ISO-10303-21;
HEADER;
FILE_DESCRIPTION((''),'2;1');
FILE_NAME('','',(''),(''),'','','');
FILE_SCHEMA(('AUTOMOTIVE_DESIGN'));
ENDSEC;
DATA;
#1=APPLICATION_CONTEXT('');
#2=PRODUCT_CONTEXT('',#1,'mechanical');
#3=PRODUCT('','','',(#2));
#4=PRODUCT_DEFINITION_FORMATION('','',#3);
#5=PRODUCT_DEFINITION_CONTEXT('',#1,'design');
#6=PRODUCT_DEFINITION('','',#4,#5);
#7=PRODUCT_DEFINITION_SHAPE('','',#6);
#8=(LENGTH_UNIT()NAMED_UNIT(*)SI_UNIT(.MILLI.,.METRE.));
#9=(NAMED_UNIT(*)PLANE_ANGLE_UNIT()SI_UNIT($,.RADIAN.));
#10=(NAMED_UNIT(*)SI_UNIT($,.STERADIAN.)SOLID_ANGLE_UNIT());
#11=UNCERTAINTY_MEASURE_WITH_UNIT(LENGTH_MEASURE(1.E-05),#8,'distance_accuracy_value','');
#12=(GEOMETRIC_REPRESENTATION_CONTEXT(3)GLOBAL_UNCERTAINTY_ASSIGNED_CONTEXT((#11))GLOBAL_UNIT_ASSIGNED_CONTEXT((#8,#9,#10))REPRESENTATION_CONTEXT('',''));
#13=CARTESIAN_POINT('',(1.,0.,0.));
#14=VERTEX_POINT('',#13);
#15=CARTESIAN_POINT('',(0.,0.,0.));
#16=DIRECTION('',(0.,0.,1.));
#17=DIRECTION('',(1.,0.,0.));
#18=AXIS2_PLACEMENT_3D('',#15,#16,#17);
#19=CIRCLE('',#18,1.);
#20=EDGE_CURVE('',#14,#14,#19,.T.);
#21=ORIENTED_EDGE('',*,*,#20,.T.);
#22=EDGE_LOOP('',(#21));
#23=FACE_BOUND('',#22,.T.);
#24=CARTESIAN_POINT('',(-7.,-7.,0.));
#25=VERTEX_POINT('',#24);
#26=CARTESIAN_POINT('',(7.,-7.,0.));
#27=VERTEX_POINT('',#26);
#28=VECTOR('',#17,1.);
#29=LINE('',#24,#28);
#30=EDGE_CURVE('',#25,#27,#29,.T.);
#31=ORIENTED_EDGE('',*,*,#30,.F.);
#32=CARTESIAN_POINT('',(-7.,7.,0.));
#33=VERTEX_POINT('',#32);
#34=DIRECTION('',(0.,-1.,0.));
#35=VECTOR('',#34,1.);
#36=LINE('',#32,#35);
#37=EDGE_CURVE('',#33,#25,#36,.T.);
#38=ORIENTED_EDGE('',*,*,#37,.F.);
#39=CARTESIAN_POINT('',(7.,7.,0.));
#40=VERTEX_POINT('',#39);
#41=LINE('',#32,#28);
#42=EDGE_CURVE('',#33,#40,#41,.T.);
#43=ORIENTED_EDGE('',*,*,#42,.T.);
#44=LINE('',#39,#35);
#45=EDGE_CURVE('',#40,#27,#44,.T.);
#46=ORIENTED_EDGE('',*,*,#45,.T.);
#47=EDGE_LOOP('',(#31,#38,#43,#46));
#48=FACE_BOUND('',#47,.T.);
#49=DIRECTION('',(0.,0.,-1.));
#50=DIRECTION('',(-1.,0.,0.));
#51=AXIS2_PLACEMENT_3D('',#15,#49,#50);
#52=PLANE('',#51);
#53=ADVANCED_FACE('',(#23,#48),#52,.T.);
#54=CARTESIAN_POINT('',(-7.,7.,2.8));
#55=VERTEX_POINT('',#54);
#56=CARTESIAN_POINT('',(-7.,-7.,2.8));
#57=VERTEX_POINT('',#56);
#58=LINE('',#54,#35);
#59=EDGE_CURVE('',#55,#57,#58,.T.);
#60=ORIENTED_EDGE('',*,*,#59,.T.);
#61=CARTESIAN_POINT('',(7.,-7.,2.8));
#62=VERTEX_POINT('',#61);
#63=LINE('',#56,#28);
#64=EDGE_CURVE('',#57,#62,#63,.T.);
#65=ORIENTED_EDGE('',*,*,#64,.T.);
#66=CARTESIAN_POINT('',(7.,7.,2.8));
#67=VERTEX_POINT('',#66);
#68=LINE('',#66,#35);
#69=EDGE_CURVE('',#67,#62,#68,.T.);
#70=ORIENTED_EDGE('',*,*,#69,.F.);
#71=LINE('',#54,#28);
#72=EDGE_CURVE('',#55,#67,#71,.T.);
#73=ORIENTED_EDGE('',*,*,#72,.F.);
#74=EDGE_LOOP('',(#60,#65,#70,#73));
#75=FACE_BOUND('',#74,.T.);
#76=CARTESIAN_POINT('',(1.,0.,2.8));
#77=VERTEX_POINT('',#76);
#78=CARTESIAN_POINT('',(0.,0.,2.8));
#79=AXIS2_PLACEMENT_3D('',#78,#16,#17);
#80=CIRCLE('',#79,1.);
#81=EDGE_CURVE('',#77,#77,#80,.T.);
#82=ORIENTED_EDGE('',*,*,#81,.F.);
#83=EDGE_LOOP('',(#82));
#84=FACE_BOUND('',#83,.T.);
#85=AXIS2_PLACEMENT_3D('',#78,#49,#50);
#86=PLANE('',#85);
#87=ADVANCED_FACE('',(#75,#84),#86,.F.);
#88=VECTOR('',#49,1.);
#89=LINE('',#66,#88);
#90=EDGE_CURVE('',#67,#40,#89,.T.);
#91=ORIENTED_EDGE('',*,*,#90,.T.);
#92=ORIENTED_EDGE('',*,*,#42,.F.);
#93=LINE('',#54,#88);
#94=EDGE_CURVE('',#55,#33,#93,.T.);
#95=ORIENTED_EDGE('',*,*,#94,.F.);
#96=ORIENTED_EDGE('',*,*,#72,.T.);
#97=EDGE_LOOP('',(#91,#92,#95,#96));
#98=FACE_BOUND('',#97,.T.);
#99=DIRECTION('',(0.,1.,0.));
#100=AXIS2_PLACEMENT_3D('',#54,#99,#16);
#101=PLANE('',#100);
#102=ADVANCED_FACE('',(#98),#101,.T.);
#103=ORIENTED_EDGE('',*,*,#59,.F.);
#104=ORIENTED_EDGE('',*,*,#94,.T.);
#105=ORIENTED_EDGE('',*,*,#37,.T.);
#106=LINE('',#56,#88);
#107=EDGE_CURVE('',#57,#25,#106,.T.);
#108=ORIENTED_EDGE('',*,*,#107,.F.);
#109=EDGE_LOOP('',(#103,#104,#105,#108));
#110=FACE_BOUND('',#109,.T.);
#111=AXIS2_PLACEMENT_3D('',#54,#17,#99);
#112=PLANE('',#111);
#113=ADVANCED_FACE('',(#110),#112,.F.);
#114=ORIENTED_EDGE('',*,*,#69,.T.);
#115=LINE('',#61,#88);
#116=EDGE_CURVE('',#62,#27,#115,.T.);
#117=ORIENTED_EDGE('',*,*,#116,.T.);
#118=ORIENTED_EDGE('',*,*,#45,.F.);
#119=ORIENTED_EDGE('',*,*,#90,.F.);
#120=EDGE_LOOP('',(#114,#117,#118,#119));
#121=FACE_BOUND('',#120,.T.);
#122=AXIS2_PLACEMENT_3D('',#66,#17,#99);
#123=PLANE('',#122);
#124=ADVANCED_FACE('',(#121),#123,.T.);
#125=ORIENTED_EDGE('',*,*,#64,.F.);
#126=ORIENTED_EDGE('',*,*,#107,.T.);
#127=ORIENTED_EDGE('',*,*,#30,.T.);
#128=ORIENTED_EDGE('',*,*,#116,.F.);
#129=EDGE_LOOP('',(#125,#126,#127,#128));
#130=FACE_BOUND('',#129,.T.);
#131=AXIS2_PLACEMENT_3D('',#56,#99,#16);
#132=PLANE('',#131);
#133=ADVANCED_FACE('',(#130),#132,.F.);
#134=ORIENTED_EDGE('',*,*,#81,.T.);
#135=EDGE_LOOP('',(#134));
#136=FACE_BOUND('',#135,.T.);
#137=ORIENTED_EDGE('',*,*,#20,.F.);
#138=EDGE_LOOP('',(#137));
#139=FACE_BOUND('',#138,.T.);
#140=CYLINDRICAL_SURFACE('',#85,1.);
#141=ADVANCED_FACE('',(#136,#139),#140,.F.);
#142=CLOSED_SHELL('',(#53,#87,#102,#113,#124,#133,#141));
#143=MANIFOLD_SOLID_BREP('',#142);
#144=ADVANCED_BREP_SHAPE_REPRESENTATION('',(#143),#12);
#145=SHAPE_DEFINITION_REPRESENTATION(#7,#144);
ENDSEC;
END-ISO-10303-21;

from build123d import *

# Parameters (mm, degrees)
SKETCH_1_W          = 14
SKETCH_1_H          = 14
EXTRUDE_1_DEPTH     = 2.8
SKETCH_1_3_R        = 1
CUT_EXTRUDE_1_DEPTH = 2.8


with BuildPart() as part:
    # 草图1 → 凸台-拉伸1 (new body)
    with BuildSketch(Plane.XY):
        Rectangle(SKETCH_1_W, SKETCH_1_H)
    extrude(amount=EXTRUDE_1_DEPTH)

    # 草图1<3> → 切除-拉伸1 (cut)
    with BuildSketch(Plane.XY):
        Circle(SKETCH_1_3_R)
    extrude(amount=CUT_EXTRUDE_1_DEPTH, mode=Mode.SUBTRACT)


solid = part.part
